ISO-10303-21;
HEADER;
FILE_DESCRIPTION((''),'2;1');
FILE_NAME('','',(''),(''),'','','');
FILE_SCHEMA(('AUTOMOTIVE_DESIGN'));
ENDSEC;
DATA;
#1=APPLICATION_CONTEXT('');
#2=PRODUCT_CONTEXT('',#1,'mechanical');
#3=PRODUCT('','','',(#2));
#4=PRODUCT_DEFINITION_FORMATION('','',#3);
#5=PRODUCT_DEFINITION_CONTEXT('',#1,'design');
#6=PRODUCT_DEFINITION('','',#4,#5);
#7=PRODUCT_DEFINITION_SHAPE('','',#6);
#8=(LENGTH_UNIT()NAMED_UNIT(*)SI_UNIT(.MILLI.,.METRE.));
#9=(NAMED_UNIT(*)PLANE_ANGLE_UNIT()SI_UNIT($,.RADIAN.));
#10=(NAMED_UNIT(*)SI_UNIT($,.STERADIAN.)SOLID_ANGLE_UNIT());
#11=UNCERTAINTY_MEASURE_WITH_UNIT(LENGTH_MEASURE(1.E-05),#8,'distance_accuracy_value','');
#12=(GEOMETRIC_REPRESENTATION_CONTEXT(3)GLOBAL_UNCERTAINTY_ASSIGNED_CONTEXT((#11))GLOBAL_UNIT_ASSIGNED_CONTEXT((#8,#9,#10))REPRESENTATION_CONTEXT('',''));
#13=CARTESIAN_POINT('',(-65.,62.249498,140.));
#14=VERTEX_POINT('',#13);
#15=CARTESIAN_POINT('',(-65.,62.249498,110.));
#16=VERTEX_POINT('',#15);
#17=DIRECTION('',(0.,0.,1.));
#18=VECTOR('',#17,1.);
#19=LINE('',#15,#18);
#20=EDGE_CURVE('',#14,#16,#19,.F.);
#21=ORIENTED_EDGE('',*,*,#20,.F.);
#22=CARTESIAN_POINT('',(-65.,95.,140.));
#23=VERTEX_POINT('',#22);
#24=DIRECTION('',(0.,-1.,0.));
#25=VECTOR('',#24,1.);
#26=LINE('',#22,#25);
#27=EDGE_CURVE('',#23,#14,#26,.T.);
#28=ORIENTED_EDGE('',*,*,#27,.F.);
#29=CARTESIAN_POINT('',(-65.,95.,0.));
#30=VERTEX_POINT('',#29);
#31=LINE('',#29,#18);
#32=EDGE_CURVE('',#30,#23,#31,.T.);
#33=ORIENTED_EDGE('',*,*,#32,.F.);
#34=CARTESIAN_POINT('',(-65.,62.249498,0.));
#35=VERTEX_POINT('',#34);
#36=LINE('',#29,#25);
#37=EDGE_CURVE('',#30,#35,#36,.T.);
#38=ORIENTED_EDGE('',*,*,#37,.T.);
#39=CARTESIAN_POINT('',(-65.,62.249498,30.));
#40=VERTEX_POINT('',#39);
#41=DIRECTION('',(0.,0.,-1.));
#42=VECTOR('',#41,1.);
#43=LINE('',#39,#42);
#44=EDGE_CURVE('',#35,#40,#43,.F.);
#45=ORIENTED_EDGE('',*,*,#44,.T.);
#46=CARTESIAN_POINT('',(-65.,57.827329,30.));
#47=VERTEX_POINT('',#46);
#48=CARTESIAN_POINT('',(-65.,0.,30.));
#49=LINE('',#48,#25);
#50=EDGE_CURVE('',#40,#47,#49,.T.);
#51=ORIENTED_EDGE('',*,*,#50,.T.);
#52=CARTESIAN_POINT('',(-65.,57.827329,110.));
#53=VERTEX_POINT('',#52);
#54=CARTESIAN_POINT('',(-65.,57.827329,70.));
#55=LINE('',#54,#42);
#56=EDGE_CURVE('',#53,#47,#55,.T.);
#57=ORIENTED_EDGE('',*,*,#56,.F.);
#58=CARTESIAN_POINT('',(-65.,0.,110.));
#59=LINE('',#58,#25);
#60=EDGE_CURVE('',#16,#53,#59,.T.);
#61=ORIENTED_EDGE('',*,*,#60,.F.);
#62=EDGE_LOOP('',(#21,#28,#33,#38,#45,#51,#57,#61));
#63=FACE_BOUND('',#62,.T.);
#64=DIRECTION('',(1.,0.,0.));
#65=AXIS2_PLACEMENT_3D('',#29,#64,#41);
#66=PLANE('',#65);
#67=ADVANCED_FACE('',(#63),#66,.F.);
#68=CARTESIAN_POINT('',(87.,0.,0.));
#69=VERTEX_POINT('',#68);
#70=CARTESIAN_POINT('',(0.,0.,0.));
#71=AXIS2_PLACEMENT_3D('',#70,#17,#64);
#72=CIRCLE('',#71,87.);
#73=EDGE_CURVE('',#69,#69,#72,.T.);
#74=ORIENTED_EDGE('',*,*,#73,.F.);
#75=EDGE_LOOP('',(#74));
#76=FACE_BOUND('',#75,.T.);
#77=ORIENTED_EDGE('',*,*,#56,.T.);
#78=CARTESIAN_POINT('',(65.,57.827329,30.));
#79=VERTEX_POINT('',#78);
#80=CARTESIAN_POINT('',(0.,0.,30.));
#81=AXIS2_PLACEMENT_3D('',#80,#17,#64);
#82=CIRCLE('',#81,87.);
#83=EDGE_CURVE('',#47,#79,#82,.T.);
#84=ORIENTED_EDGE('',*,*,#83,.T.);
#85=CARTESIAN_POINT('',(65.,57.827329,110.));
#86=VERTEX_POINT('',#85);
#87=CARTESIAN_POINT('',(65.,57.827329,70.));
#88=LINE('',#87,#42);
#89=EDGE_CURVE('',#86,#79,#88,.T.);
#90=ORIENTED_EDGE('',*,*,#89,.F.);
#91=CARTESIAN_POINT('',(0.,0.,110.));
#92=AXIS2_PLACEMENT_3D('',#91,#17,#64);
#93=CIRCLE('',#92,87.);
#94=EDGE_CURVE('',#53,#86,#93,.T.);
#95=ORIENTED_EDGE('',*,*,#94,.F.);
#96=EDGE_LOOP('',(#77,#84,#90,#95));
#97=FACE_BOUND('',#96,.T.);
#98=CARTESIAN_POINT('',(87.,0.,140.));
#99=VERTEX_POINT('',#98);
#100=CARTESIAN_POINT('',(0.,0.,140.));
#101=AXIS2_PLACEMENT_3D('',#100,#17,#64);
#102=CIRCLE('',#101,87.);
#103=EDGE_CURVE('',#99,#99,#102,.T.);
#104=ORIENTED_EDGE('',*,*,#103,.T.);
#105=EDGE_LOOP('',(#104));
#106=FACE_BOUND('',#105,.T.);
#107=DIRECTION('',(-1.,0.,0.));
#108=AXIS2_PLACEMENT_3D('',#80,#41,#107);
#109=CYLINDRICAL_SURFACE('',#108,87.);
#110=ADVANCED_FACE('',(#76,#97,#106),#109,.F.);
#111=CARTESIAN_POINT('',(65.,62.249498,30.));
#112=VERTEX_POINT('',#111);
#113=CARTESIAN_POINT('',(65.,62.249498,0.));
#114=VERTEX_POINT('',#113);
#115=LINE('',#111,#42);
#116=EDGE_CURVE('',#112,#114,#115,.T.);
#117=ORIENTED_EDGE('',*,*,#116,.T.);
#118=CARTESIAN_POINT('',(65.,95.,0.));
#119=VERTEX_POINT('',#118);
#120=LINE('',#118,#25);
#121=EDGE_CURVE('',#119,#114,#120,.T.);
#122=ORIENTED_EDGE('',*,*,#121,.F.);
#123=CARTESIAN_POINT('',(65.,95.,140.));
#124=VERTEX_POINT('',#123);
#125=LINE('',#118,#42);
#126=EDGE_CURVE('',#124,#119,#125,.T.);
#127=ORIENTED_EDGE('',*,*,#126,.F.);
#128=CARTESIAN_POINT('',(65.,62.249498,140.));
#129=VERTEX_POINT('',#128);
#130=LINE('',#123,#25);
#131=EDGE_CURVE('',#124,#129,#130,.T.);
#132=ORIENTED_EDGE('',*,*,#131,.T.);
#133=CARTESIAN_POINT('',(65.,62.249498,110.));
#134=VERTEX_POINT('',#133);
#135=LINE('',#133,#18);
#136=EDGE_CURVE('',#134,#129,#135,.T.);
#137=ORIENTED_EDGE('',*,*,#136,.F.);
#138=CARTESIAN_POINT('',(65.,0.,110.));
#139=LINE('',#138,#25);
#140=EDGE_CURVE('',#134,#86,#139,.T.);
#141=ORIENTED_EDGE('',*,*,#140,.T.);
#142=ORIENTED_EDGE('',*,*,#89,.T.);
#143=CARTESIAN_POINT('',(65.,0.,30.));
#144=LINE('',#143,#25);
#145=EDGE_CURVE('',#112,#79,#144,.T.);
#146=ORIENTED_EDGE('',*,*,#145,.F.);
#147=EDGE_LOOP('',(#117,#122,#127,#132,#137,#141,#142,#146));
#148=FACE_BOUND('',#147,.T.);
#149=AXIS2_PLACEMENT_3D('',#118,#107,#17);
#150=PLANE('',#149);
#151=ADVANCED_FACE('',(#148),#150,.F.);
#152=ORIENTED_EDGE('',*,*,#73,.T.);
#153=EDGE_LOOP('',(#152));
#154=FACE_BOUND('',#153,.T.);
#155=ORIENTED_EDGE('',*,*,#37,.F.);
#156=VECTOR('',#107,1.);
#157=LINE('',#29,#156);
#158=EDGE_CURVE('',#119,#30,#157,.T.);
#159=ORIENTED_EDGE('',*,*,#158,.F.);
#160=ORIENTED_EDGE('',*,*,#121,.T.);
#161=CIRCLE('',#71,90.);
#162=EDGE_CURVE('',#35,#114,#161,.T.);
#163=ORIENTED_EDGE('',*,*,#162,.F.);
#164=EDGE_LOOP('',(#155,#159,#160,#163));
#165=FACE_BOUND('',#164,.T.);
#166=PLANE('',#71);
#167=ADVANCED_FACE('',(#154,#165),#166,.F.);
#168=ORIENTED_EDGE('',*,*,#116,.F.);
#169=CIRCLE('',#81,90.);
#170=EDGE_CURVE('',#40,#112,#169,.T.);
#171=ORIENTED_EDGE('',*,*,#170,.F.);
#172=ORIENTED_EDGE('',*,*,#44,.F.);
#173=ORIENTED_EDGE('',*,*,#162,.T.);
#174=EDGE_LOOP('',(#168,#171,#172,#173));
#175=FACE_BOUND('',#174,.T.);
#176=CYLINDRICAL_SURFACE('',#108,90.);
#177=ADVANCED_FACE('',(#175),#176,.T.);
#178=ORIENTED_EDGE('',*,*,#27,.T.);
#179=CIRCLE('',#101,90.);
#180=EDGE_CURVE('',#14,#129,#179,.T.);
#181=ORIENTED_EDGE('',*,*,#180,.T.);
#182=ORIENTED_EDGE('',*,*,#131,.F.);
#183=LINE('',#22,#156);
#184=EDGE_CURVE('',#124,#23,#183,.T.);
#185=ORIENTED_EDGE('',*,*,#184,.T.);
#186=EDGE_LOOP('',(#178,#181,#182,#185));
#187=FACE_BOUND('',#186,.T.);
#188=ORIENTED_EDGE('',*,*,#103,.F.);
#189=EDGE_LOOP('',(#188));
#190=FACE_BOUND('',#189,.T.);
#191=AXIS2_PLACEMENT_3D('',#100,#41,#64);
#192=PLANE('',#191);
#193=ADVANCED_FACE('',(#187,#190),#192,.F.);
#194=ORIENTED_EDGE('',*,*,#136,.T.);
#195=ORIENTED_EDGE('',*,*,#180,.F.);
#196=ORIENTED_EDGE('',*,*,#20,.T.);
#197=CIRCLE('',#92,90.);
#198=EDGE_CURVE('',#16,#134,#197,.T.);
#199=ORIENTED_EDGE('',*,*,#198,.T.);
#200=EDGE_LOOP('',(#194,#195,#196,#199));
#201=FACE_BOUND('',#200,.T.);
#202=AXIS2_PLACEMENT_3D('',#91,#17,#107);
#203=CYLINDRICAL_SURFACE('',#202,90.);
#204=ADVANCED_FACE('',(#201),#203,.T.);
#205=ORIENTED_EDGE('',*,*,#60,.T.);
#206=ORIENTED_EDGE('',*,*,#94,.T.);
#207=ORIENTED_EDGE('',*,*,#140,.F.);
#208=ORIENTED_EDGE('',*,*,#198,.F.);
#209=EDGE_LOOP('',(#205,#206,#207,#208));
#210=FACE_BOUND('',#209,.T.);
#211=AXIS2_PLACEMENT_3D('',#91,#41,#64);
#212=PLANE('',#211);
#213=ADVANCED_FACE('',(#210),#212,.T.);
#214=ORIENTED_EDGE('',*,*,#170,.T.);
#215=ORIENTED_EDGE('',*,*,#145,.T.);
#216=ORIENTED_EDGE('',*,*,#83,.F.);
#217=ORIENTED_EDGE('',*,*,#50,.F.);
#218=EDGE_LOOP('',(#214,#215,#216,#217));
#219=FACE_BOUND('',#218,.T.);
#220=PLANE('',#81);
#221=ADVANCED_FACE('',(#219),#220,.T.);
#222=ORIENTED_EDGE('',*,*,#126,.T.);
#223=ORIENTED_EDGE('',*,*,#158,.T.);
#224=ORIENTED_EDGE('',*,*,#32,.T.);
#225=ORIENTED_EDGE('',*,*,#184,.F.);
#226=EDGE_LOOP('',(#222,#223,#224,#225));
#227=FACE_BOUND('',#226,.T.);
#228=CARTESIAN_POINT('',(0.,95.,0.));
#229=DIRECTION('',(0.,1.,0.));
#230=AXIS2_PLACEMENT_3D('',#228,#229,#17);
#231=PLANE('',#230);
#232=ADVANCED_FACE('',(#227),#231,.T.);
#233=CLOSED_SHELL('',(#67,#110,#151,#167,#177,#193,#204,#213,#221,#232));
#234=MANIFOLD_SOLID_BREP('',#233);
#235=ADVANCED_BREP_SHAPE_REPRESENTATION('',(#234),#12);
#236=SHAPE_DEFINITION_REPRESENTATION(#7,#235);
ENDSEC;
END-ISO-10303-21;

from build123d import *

# Parameters (mm, degrees)
SKETCH1_R                       = 90
SKETCH1_R_2                     = 87
BOSS_EXTRUDE1_DEPTH             = 30
BOSS_EXTRUDE2_REACH             = 205.47
SKETCH2_W                       = 130
SKETCH2_H                       = 30
BOSS_EXTRUDE2_DIRECTION_2_DEPTH = 5
BOSS_EXTRUDE3_DEPTH             = 40


with BuildPart() as part:
    # Sketch1 → Boss-Extrude1 (new body)
    with BuildSketch(Plane.XY):
        Circle(SKETCH1_R)
        Circle(SKETCH1_R_2, mode=Mode.SUBTRACT)
    extrude(amount=BOSS_EXTRUDE1_DEPTH)

    # Boss-Extrude2: up to this face of the body
    boss_extrude2_end = part.part.faces().sort_by_distance((-90, 0, 15))[0]
    # Sketch2 → Boss-Extrude2 (add, up to the picked face)
    with BuildSketch(Plane(origin=(0, 90, 0), x_dir=(1, 0, 0), z_dir=(0, 1, 0)), mode=Mode.PRIVATE) as boss_extrude2_sk1:
        with Locations((0, -15)):
            Rectangle(SKETCH2_W, SKETCH2_H)
    boss_extrude2_tool1 = split(extrude(boss_extrude2_sk1.sketch, amount=-BOSS_EXTRUDE2_REACH, mode=Mode.PRIVATE), bisect_by=boss_extrude2_end, keep=Keep.BOTH, mode=Mode.PRIVATE)
    add(boss_extrude2_tool1.solids().sort_by(Axis((0, 90, 15), (0, -1, 0)))[0])
    add(boss_extrude2_tool1.solids().sort_by(Axis((0, 90, 15), (0, -1, 0)))[1])

    # Sketch2 → Boss-Extrude2 direction 2 (add)
    with BuildSketch(Plane(origin=(0, 90, 0), x_dir=(1, 0, 0), z_dir=(0, 1, 0))):
        with Locations((0, -15)):
            Rectangle(SKETCH2_W, SKETCH2_H)
    extrude(amount=BOSS_EXTRUDE2_DIRECTION_2_DEPTH)

    # Sketch3 → Boss-Extrude3 (add)
    with BuildSketch(Plane.XY.offset(30)):
        with BuildLine():
            Line((65, 95), (-65, 95))
            Line((-65, 95), (-65, 62.24949799))
            Line((-65, 62.24949799), (-65, 57.827329179))
            ThreePointArc((-65, 57.827329179), (0, 87), (65, 57.827329179))
            Line((65, 57.827329179), (65, 62.24949799))
            Line((65, 62.24949799), (65, 95))
        make_face()
    extrude(amount=BOSS_EXTRUDE3_DEPTH)

    # Mirror2: part across plane


with BuildPart() as part_1:
    add(part.part)
    add(part.part.mirror(Plane.XY.offset(70)))


solid = part_1.part
